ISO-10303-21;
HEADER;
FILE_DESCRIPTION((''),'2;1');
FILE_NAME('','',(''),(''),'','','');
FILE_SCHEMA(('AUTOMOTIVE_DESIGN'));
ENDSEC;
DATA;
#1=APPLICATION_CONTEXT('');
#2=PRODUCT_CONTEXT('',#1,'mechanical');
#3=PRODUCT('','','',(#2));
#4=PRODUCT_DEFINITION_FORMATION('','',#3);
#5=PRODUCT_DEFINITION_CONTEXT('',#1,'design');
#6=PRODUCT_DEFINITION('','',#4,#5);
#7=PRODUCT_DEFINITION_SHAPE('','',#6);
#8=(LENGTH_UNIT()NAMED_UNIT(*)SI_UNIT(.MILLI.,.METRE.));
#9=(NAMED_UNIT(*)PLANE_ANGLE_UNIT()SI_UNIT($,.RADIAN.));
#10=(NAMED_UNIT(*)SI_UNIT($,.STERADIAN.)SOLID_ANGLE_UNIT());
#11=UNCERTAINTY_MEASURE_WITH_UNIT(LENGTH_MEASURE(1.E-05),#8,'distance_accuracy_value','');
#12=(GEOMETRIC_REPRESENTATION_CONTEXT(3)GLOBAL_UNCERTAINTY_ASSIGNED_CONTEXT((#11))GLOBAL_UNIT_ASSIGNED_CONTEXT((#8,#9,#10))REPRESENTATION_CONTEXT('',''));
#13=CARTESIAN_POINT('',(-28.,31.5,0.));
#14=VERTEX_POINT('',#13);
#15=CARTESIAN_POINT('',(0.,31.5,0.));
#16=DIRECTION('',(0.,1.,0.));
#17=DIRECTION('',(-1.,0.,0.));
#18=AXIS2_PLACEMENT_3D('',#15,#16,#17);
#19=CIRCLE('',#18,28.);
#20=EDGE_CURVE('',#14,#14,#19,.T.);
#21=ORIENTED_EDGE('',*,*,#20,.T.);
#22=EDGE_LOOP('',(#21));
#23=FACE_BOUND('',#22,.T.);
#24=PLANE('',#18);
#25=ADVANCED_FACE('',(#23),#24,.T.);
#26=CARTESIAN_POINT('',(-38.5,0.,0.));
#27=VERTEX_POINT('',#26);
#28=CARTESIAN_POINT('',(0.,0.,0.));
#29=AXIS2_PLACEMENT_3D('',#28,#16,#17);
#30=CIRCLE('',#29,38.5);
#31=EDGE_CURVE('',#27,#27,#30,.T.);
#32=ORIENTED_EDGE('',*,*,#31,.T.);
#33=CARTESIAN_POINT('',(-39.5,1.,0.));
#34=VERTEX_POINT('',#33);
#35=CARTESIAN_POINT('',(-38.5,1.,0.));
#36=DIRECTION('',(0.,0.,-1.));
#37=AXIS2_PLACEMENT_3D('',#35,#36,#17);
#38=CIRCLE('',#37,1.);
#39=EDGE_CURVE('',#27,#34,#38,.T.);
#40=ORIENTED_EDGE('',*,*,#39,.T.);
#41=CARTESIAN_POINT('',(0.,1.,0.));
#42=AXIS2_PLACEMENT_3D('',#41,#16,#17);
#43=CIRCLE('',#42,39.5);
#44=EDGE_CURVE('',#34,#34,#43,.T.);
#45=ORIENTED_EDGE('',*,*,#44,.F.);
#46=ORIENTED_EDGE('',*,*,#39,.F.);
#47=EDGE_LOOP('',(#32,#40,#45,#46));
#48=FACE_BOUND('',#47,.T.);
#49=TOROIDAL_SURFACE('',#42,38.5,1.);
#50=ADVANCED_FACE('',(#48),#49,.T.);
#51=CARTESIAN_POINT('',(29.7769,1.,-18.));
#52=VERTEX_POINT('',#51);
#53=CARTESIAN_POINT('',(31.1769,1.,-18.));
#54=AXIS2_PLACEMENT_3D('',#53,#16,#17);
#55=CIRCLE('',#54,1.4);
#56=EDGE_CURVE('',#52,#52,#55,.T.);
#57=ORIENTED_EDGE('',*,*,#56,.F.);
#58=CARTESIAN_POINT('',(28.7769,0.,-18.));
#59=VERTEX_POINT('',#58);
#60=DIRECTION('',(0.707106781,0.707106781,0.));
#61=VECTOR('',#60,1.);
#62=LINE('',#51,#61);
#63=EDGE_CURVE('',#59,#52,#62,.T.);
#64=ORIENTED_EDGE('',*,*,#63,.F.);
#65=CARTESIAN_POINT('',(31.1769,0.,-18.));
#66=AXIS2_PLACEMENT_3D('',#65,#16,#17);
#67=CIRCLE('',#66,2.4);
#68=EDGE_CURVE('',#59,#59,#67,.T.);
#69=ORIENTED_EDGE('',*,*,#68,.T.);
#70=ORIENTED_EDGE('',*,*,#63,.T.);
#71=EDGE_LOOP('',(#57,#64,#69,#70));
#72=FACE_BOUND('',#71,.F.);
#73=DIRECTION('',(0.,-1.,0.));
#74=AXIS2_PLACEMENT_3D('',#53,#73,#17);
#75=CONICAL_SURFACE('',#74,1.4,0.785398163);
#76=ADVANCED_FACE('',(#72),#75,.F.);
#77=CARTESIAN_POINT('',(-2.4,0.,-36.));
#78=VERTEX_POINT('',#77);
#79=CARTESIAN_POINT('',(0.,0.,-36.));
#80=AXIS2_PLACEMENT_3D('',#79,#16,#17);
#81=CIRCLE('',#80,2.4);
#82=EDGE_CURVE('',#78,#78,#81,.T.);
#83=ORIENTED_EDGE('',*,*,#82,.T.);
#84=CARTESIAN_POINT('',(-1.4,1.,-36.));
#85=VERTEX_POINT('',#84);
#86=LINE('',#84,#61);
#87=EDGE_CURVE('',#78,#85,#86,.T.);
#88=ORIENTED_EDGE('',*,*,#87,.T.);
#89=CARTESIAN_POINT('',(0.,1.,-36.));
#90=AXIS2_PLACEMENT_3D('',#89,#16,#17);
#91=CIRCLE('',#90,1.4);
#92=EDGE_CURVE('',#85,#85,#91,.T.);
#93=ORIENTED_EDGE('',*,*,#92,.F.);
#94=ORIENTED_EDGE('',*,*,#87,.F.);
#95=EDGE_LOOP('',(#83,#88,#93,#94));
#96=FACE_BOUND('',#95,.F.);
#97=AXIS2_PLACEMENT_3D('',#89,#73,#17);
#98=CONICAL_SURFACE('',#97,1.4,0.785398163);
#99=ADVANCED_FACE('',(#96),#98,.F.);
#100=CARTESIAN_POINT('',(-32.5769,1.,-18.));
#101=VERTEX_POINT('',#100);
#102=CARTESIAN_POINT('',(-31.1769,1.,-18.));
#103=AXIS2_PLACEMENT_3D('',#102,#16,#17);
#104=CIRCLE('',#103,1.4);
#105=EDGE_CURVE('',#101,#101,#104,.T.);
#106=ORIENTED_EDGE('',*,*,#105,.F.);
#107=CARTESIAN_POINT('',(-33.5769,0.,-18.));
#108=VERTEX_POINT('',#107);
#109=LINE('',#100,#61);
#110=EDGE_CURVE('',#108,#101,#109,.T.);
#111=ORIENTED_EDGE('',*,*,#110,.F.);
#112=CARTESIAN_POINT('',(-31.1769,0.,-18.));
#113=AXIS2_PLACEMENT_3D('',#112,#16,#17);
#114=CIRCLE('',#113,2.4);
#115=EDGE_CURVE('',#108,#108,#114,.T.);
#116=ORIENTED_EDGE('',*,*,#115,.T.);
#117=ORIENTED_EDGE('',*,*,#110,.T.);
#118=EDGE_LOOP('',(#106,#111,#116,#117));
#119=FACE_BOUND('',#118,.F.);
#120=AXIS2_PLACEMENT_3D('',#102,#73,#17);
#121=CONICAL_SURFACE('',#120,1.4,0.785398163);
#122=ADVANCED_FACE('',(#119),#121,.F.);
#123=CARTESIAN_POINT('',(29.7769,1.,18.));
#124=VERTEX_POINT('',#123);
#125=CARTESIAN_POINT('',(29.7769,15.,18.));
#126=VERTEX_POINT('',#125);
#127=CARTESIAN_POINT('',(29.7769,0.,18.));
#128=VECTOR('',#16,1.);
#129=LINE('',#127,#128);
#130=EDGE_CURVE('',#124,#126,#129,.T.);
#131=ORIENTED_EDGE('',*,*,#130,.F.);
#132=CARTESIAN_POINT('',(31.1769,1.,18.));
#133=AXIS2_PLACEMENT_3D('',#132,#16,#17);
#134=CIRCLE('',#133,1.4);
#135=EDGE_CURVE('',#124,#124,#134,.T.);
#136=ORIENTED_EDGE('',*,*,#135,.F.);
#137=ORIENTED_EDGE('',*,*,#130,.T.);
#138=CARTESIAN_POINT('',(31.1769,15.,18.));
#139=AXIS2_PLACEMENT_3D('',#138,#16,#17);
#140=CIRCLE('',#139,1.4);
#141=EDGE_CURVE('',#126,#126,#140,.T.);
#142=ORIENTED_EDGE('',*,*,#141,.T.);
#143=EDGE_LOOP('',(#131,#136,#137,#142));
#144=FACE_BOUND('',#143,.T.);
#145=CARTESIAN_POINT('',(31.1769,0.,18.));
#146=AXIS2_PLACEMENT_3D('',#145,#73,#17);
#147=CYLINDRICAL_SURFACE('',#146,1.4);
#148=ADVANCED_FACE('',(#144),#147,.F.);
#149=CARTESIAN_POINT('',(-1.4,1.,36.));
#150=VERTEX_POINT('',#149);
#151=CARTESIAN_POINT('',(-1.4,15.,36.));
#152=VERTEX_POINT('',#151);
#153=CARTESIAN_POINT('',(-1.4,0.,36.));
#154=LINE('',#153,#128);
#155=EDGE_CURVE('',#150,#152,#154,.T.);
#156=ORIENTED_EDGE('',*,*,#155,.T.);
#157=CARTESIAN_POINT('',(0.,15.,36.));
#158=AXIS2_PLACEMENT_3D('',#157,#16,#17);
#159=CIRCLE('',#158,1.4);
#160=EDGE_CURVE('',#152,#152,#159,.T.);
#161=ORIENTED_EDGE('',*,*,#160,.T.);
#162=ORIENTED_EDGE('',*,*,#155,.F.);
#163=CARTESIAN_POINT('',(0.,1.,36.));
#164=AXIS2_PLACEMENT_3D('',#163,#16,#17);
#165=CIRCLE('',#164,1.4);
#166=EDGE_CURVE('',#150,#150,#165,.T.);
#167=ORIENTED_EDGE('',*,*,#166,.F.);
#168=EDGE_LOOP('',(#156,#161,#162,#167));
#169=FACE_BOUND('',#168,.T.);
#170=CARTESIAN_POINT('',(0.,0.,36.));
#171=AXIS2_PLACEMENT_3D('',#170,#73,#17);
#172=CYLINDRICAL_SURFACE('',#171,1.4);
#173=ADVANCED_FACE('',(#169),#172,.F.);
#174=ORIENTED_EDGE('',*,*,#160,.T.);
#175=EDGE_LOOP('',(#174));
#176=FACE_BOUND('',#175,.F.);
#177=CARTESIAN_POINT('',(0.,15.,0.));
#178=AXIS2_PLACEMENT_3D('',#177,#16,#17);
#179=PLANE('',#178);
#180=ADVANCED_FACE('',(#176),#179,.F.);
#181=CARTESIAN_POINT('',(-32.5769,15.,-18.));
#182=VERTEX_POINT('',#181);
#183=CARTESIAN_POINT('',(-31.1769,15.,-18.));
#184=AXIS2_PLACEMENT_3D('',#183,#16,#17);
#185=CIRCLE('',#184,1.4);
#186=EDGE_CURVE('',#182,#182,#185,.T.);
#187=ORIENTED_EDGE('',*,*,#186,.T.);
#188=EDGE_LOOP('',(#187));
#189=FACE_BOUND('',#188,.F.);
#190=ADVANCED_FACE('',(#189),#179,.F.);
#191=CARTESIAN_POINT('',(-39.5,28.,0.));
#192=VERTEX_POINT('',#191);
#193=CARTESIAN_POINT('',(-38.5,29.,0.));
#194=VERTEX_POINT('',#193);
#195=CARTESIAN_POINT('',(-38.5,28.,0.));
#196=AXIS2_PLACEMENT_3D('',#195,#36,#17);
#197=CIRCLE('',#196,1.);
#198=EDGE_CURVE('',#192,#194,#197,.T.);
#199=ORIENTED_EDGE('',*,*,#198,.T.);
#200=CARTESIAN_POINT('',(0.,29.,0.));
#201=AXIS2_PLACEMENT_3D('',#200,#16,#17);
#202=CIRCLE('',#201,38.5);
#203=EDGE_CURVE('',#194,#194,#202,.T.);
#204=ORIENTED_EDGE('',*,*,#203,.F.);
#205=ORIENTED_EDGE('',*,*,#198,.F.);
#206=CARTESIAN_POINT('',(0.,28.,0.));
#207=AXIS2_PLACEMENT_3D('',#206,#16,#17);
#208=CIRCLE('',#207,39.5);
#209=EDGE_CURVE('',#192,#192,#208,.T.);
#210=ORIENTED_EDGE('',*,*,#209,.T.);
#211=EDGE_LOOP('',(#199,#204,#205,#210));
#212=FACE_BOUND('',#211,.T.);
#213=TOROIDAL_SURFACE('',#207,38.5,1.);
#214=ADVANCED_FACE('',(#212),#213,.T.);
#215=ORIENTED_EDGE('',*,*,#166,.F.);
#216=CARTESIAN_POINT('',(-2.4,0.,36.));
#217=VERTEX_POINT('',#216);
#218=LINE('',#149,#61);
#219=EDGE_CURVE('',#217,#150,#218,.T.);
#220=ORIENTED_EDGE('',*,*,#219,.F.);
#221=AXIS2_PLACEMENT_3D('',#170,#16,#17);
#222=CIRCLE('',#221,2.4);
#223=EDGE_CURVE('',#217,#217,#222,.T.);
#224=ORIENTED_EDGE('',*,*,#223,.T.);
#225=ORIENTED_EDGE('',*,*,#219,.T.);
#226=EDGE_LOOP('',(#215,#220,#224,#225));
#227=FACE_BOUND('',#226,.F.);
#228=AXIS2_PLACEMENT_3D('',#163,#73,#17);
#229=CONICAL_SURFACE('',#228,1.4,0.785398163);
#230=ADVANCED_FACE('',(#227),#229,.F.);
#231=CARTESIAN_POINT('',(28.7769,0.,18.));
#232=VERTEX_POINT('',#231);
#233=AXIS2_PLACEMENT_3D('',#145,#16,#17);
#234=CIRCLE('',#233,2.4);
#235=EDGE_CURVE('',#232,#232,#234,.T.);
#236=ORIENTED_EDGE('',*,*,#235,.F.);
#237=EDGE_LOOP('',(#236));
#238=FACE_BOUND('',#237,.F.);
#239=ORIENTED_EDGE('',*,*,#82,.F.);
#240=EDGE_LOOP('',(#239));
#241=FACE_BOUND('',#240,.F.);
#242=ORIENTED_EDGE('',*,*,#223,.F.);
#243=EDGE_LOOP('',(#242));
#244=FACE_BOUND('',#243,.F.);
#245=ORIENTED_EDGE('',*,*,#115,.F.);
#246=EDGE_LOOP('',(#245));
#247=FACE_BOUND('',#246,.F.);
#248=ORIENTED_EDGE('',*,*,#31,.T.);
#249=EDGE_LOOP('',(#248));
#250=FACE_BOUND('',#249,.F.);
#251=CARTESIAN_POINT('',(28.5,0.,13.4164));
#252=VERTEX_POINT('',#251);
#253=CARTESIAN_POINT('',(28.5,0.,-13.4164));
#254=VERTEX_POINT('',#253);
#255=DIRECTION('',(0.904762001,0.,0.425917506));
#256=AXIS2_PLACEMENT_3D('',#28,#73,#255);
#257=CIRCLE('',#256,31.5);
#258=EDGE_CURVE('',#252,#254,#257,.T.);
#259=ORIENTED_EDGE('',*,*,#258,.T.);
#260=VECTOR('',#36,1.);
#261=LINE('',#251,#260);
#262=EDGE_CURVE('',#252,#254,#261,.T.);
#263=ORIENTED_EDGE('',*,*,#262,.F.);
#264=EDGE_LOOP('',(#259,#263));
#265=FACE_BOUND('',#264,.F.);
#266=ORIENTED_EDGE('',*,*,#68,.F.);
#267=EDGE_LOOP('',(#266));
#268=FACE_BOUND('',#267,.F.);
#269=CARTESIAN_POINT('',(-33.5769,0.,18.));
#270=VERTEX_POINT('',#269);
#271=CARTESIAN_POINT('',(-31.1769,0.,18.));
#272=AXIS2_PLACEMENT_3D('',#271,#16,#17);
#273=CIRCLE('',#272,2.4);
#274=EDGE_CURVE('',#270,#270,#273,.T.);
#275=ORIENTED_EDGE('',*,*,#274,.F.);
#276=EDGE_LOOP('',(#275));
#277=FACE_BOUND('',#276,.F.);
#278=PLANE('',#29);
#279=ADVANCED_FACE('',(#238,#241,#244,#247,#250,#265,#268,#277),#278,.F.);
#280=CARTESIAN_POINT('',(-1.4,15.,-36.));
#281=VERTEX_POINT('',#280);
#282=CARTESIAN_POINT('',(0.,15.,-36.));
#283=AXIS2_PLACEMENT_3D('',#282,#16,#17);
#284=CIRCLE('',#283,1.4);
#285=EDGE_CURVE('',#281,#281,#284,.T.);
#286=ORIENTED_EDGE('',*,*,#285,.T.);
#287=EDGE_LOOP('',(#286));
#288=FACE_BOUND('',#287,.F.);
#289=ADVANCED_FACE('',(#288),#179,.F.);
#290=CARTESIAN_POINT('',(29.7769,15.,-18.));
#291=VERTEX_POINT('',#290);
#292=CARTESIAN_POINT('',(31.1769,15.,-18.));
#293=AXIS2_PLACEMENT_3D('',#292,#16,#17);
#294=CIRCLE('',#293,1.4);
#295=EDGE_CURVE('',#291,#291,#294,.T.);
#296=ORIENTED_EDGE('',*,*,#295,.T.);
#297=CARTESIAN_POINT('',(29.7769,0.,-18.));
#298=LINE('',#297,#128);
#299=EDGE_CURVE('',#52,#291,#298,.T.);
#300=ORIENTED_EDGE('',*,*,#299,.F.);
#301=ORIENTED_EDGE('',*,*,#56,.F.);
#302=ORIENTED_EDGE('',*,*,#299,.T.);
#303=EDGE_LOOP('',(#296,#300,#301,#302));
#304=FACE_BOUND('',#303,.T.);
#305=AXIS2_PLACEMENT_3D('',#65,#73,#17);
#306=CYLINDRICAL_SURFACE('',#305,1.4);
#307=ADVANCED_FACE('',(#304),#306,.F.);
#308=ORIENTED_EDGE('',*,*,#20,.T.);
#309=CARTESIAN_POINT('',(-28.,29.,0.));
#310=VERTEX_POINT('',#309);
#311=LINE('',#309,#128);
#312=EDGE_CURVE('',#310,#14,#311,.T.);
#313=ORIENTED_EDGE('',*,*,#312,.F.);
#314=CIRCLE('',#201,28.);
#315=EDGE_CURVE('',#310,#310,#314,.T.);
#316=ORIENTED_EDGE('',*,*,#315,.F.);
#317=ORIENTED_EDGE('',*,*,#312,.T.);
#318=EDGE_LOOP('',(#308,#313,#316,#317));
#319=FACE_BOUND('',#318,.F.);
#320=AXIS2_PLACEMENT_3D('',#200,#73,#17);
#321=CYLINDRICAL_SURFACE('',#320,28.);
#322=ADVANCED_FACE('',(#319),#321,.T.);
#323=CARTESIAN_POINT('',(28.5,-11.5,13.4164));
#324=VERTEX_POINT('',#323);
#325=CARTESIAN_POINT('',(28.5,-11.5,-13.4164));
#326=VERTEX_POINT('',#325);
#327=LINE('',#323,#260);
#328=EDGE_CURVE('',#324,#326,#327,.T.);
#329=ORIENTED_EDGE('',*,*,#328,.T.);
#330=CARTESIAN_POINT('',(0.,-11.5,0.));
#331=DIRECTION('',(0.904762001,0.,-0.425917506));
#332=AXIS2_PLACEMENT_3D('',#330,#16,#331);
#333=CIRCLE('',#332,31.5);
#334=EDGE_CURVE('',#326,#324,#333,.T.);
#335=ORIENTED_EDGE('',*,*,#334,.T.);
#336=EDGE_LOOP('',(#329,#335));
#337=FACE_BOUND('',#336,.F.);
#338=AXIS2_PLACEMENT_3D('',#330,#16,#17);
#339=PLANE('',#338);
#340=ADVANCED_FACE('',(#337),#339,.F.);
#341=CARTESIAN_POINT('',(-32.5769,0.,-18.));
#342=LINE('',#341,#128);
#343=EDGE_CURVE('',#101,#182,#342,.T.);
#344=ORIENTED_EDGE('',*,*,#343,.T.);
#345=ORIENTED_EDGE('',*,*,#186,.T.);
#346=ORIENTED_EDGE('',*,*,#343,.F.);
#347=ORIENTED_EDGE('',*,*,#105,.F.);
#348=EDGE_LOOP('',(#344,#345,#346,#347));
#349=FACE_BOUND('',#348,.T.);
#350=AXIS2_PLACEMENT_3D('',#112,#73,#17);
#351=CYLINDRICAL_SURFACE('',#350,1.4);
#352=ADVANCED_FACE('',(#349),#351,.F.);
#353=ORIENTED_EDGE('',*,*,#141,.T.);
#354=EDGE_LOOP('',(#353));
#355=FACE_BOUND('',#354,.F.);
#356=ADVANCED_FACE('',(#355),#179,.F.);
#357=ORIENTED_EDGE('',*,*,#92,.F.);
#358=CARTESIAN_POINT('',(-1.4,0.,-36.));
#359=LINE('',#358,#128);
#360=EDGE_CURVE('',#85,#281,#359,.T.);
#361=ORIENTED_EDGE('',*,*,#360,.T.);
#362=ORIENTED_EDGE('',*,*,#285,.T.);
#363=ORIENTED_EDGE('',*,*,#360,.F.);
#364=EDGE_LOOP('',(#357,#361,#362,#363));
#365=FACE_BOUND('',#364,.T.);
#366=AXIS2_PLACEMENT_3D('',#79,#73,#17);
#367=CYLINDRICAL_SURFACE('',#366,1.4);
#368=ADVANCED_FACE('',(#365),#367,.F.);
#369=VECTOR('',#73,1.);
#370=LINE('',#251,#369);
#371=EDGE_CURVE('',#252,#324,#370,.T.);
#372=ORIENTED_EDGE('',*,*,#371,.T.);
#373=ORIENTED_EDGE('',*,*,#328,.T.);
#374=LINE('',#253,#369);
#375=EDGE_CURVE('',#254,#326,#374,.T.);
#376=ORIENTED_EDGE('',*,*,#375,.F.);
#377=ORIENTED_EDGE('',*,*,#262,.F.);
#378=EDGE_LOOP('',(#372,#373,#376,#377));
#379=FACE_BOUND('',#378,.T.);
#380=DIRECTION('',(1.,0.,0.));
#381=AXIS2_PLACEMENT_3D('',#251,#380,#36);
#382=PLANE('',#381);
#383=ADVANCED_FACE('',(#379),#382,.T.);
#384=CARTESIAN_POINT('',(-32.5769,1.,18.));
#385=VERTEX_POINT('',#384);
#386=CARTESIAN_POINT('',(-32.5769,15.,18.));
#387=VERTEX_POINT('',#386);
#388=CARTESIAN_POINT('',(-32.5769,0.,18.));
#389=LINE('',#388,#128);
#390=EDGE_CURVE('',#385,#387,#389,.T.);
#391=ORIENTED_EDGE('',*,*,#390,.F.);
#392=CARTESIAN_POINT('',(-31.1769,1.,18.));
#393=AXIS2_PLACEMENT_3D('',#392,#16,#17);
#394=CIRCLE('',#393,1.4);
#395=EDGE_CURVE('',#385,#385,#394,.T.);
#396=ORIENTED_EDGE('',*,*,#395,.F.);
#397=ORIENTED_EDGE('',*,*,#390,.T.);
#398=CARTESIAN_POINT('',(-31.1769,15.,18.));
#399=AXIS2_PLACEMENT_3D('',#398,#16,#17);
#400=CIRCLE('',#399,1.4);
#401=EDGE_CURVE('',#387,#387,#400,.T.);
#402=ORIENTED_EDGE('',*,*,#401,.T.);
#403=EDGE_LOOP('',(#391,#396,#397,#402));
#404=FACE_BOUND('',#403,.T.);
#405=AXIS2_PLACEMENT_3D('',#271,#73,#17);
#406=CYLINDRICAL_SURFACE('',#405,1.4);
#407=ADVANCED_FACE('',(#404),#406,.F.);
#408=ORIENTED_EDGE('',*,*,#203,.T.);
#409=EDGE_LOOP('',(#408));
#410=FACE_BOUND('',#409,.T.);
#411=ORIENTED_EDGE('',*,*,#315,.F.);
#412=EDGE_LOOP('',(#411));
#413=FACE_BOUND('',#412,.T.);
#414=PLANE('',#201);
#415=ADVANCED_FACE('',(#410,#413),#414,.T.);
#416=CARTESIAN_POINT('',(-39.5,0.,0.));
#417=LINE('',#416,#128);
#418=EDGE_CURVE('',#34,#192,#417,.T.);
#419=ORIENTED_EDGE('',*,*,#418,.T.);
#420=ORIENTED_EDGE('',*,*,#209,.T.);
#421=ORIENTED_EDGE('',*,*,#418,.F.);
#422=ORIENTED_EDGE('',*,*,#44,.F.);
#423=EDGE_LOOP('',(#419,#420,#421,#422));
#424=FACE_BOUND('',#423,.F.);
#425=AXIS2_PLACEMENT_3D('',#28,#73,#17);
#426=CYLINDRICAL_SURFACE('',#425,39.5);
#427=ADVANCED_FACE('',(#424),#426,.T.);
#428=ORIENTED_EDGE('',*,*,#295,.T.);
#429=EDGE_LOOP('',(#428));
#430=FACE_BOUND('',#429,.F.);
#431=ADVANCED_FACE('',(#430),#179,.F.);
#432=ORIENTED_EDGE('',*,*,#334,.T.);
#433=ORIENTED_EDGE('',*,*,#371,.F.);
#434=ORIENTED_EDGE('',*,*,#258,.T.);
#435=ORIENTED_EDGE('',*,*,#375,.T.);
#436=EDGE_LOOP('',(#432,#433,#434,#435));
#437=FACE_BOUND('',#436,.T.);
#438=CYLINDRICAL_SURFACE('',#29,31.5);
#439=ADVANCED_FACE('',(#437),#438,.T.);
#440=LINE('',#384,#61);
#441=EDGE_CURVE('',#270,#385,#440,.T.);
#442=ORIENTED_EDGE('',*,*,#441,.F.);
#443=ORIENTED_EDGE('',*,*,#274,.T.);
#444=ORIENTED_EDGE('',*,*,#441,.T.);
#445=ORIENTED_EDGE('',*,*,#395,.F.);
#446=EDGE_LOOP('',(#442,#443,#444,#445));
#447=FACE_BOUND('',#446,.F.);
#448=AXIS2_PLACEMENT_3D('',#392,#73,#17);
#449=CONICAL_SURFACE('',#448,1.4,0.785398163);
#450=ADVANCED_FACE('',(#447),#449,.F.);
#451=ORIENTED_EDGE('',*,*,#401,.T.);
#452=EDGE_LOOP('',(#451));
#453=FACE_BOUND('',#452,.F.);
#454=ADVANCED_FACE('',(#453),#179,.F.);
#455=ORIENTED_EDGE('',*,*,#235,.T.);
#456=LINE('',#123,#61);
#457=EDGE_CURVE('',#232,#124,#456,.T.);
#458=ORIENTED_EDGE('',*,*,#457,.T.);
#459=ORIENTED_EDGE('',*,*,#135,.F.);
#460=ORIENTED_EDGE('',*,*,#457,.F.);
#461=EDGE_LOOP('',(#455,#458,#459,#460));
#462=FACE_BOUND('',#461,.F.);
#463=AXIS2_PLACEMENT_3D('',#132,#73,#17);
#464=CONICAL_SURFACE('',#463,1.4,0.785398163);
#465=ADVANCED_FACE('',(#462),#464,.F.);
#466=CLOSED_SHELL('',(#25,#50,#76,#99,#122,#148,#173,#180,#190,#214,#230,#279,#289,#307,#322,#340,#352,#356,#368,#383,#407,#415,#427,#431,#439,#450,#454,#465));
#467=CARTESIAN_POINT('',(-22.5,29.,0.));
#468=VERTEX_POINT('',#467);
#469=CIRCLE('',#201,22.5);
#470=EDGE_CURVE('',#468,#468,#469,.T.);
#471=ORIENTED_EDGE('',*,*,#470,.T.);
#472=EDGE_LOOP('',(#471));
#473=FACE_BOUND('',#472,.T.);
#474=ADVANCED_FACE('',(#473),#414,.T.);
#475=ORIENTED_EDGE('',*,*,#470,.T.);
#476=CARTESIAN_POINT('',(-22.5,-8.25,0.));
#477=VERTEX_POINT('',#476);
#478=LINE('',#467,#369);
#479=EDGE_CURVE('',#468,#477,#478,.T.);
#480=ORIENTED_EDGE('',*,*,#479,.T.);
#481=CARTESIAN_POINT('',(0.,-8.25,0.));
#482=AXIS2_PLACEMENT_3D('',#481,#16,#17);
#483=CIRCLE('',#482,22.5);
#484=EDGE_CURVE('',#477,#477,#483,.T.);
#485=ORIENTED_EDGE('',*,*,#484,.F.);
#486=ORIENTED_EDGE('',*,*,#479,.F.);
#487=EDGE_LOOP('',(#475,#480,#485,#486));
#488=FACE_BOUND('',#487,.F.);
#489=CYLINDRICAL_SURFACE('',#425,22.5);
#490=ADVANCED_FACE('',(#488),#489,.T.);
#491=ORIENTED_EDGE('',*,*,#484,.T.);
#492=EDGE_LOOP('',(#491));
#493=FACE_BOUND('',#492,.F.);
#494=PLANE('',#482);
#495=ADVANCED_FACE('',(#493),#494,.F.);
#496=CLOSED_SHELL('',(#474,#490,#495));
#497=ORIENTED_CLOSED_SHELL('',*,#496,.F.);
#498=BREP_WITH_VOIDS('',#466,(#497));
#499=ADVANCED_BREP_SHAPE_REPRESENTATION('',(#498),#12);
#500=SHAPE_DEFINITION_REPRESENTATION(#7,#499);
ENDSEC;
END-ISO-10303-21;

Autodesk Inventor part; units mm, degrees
ref_plane "YZ Plane" through (0, 0, 0) normal (1, 0, 0) x (0, 1, 0)
ref_plane "XZ Plane" through (0, 0, 0) normal (0, 1, 0) x (-1, 0, 0)
ref_plane "XY Plane" through (0, 0, 0) normal (0, 0, 1) x (1, 0, 0)
sketch "Sketch1" plane through (0, 0, 0) normal (0, 1, 0) x (-1, 0, 0)
  circle A0 centre (0, 0) radius 39.5
  circle A1 centre (0, 0) radius 31.5
  circle A2 centre (0, 0) radius 28
  line L0 (-28.5, 13.4164) -> (-28.5, -13.4164)
  circle A3 centre (0, 0) radius 36 construction
  line L1 (0, 39.5) -> (0, 0) construction
  line L2 (0, 0) -> (-34.208, 19.75) construction
  circle A4 centre (0, 36) radius 1.4
  circle A5 centre (-31.1769, 18) radius 1.4
  line L3 (0, 0) -> (-39.5, 0) construction
  circle A6 centre (31.1769, 18) radius 1.4
  circle A7 centre (0, -36) radius 1.4
  circle A8 centre (-31.1769, -18) radius 1.4
  circle A9 centre (31.1769, -18) radius 1.4
  circle A10 centre (0, 0) radius 22.5
  dimension "d0" = 79
  dimension "d1" = 63
  dimension "d2" = 56
  dimension "d6" = 28.5
  dimension "d11" = 72
  dimension "d12" = 2.8
  dimension "d13" = 60
  dimension "d19" = 45
extrude "Extrusion1" add sketch "Sketch1" along normal blind 29 contours A0 | A1 L0 | L0 A1 | A2 | A4 | A5 | A6 | A7 | A8 | A9 | A10
extrude "Extrusion2" add sketch "Sketch1" against normal blind 11.5 contours A1 L0 | A2 | A10 picked at (29.747, 4.7866)
extrude "Extrusion3" add sketch "Sketch1" along normal blind 2.5 from surface at 29 contours A2 | A10
extrude "Extrusion4" cut sketch "Sketch1" along normal blind 15 contours A4 | A5 | A6 | A7 | A8 | A9
chamfer "Chamfer1" distance 1 angle 45 6 edges at (1.4, 0, -36) (-29.7769, 0, -18) (-29.7769, 0, 18) (32.5769, 0, -18) (32.5769, 0, 18) (1.4, 0, 36)
extrude "Extrusion5" cut sketch "Sketch1" along normal blind 29 and the other way blind 8.25 contours A10
fillet "Fillet1" radius 1 1 edges at (39.5, 0, 0)
fillet "Fillet2" radius 1 1 edges at (39.5, 29, 0)
properties part number "motor_simplified"
